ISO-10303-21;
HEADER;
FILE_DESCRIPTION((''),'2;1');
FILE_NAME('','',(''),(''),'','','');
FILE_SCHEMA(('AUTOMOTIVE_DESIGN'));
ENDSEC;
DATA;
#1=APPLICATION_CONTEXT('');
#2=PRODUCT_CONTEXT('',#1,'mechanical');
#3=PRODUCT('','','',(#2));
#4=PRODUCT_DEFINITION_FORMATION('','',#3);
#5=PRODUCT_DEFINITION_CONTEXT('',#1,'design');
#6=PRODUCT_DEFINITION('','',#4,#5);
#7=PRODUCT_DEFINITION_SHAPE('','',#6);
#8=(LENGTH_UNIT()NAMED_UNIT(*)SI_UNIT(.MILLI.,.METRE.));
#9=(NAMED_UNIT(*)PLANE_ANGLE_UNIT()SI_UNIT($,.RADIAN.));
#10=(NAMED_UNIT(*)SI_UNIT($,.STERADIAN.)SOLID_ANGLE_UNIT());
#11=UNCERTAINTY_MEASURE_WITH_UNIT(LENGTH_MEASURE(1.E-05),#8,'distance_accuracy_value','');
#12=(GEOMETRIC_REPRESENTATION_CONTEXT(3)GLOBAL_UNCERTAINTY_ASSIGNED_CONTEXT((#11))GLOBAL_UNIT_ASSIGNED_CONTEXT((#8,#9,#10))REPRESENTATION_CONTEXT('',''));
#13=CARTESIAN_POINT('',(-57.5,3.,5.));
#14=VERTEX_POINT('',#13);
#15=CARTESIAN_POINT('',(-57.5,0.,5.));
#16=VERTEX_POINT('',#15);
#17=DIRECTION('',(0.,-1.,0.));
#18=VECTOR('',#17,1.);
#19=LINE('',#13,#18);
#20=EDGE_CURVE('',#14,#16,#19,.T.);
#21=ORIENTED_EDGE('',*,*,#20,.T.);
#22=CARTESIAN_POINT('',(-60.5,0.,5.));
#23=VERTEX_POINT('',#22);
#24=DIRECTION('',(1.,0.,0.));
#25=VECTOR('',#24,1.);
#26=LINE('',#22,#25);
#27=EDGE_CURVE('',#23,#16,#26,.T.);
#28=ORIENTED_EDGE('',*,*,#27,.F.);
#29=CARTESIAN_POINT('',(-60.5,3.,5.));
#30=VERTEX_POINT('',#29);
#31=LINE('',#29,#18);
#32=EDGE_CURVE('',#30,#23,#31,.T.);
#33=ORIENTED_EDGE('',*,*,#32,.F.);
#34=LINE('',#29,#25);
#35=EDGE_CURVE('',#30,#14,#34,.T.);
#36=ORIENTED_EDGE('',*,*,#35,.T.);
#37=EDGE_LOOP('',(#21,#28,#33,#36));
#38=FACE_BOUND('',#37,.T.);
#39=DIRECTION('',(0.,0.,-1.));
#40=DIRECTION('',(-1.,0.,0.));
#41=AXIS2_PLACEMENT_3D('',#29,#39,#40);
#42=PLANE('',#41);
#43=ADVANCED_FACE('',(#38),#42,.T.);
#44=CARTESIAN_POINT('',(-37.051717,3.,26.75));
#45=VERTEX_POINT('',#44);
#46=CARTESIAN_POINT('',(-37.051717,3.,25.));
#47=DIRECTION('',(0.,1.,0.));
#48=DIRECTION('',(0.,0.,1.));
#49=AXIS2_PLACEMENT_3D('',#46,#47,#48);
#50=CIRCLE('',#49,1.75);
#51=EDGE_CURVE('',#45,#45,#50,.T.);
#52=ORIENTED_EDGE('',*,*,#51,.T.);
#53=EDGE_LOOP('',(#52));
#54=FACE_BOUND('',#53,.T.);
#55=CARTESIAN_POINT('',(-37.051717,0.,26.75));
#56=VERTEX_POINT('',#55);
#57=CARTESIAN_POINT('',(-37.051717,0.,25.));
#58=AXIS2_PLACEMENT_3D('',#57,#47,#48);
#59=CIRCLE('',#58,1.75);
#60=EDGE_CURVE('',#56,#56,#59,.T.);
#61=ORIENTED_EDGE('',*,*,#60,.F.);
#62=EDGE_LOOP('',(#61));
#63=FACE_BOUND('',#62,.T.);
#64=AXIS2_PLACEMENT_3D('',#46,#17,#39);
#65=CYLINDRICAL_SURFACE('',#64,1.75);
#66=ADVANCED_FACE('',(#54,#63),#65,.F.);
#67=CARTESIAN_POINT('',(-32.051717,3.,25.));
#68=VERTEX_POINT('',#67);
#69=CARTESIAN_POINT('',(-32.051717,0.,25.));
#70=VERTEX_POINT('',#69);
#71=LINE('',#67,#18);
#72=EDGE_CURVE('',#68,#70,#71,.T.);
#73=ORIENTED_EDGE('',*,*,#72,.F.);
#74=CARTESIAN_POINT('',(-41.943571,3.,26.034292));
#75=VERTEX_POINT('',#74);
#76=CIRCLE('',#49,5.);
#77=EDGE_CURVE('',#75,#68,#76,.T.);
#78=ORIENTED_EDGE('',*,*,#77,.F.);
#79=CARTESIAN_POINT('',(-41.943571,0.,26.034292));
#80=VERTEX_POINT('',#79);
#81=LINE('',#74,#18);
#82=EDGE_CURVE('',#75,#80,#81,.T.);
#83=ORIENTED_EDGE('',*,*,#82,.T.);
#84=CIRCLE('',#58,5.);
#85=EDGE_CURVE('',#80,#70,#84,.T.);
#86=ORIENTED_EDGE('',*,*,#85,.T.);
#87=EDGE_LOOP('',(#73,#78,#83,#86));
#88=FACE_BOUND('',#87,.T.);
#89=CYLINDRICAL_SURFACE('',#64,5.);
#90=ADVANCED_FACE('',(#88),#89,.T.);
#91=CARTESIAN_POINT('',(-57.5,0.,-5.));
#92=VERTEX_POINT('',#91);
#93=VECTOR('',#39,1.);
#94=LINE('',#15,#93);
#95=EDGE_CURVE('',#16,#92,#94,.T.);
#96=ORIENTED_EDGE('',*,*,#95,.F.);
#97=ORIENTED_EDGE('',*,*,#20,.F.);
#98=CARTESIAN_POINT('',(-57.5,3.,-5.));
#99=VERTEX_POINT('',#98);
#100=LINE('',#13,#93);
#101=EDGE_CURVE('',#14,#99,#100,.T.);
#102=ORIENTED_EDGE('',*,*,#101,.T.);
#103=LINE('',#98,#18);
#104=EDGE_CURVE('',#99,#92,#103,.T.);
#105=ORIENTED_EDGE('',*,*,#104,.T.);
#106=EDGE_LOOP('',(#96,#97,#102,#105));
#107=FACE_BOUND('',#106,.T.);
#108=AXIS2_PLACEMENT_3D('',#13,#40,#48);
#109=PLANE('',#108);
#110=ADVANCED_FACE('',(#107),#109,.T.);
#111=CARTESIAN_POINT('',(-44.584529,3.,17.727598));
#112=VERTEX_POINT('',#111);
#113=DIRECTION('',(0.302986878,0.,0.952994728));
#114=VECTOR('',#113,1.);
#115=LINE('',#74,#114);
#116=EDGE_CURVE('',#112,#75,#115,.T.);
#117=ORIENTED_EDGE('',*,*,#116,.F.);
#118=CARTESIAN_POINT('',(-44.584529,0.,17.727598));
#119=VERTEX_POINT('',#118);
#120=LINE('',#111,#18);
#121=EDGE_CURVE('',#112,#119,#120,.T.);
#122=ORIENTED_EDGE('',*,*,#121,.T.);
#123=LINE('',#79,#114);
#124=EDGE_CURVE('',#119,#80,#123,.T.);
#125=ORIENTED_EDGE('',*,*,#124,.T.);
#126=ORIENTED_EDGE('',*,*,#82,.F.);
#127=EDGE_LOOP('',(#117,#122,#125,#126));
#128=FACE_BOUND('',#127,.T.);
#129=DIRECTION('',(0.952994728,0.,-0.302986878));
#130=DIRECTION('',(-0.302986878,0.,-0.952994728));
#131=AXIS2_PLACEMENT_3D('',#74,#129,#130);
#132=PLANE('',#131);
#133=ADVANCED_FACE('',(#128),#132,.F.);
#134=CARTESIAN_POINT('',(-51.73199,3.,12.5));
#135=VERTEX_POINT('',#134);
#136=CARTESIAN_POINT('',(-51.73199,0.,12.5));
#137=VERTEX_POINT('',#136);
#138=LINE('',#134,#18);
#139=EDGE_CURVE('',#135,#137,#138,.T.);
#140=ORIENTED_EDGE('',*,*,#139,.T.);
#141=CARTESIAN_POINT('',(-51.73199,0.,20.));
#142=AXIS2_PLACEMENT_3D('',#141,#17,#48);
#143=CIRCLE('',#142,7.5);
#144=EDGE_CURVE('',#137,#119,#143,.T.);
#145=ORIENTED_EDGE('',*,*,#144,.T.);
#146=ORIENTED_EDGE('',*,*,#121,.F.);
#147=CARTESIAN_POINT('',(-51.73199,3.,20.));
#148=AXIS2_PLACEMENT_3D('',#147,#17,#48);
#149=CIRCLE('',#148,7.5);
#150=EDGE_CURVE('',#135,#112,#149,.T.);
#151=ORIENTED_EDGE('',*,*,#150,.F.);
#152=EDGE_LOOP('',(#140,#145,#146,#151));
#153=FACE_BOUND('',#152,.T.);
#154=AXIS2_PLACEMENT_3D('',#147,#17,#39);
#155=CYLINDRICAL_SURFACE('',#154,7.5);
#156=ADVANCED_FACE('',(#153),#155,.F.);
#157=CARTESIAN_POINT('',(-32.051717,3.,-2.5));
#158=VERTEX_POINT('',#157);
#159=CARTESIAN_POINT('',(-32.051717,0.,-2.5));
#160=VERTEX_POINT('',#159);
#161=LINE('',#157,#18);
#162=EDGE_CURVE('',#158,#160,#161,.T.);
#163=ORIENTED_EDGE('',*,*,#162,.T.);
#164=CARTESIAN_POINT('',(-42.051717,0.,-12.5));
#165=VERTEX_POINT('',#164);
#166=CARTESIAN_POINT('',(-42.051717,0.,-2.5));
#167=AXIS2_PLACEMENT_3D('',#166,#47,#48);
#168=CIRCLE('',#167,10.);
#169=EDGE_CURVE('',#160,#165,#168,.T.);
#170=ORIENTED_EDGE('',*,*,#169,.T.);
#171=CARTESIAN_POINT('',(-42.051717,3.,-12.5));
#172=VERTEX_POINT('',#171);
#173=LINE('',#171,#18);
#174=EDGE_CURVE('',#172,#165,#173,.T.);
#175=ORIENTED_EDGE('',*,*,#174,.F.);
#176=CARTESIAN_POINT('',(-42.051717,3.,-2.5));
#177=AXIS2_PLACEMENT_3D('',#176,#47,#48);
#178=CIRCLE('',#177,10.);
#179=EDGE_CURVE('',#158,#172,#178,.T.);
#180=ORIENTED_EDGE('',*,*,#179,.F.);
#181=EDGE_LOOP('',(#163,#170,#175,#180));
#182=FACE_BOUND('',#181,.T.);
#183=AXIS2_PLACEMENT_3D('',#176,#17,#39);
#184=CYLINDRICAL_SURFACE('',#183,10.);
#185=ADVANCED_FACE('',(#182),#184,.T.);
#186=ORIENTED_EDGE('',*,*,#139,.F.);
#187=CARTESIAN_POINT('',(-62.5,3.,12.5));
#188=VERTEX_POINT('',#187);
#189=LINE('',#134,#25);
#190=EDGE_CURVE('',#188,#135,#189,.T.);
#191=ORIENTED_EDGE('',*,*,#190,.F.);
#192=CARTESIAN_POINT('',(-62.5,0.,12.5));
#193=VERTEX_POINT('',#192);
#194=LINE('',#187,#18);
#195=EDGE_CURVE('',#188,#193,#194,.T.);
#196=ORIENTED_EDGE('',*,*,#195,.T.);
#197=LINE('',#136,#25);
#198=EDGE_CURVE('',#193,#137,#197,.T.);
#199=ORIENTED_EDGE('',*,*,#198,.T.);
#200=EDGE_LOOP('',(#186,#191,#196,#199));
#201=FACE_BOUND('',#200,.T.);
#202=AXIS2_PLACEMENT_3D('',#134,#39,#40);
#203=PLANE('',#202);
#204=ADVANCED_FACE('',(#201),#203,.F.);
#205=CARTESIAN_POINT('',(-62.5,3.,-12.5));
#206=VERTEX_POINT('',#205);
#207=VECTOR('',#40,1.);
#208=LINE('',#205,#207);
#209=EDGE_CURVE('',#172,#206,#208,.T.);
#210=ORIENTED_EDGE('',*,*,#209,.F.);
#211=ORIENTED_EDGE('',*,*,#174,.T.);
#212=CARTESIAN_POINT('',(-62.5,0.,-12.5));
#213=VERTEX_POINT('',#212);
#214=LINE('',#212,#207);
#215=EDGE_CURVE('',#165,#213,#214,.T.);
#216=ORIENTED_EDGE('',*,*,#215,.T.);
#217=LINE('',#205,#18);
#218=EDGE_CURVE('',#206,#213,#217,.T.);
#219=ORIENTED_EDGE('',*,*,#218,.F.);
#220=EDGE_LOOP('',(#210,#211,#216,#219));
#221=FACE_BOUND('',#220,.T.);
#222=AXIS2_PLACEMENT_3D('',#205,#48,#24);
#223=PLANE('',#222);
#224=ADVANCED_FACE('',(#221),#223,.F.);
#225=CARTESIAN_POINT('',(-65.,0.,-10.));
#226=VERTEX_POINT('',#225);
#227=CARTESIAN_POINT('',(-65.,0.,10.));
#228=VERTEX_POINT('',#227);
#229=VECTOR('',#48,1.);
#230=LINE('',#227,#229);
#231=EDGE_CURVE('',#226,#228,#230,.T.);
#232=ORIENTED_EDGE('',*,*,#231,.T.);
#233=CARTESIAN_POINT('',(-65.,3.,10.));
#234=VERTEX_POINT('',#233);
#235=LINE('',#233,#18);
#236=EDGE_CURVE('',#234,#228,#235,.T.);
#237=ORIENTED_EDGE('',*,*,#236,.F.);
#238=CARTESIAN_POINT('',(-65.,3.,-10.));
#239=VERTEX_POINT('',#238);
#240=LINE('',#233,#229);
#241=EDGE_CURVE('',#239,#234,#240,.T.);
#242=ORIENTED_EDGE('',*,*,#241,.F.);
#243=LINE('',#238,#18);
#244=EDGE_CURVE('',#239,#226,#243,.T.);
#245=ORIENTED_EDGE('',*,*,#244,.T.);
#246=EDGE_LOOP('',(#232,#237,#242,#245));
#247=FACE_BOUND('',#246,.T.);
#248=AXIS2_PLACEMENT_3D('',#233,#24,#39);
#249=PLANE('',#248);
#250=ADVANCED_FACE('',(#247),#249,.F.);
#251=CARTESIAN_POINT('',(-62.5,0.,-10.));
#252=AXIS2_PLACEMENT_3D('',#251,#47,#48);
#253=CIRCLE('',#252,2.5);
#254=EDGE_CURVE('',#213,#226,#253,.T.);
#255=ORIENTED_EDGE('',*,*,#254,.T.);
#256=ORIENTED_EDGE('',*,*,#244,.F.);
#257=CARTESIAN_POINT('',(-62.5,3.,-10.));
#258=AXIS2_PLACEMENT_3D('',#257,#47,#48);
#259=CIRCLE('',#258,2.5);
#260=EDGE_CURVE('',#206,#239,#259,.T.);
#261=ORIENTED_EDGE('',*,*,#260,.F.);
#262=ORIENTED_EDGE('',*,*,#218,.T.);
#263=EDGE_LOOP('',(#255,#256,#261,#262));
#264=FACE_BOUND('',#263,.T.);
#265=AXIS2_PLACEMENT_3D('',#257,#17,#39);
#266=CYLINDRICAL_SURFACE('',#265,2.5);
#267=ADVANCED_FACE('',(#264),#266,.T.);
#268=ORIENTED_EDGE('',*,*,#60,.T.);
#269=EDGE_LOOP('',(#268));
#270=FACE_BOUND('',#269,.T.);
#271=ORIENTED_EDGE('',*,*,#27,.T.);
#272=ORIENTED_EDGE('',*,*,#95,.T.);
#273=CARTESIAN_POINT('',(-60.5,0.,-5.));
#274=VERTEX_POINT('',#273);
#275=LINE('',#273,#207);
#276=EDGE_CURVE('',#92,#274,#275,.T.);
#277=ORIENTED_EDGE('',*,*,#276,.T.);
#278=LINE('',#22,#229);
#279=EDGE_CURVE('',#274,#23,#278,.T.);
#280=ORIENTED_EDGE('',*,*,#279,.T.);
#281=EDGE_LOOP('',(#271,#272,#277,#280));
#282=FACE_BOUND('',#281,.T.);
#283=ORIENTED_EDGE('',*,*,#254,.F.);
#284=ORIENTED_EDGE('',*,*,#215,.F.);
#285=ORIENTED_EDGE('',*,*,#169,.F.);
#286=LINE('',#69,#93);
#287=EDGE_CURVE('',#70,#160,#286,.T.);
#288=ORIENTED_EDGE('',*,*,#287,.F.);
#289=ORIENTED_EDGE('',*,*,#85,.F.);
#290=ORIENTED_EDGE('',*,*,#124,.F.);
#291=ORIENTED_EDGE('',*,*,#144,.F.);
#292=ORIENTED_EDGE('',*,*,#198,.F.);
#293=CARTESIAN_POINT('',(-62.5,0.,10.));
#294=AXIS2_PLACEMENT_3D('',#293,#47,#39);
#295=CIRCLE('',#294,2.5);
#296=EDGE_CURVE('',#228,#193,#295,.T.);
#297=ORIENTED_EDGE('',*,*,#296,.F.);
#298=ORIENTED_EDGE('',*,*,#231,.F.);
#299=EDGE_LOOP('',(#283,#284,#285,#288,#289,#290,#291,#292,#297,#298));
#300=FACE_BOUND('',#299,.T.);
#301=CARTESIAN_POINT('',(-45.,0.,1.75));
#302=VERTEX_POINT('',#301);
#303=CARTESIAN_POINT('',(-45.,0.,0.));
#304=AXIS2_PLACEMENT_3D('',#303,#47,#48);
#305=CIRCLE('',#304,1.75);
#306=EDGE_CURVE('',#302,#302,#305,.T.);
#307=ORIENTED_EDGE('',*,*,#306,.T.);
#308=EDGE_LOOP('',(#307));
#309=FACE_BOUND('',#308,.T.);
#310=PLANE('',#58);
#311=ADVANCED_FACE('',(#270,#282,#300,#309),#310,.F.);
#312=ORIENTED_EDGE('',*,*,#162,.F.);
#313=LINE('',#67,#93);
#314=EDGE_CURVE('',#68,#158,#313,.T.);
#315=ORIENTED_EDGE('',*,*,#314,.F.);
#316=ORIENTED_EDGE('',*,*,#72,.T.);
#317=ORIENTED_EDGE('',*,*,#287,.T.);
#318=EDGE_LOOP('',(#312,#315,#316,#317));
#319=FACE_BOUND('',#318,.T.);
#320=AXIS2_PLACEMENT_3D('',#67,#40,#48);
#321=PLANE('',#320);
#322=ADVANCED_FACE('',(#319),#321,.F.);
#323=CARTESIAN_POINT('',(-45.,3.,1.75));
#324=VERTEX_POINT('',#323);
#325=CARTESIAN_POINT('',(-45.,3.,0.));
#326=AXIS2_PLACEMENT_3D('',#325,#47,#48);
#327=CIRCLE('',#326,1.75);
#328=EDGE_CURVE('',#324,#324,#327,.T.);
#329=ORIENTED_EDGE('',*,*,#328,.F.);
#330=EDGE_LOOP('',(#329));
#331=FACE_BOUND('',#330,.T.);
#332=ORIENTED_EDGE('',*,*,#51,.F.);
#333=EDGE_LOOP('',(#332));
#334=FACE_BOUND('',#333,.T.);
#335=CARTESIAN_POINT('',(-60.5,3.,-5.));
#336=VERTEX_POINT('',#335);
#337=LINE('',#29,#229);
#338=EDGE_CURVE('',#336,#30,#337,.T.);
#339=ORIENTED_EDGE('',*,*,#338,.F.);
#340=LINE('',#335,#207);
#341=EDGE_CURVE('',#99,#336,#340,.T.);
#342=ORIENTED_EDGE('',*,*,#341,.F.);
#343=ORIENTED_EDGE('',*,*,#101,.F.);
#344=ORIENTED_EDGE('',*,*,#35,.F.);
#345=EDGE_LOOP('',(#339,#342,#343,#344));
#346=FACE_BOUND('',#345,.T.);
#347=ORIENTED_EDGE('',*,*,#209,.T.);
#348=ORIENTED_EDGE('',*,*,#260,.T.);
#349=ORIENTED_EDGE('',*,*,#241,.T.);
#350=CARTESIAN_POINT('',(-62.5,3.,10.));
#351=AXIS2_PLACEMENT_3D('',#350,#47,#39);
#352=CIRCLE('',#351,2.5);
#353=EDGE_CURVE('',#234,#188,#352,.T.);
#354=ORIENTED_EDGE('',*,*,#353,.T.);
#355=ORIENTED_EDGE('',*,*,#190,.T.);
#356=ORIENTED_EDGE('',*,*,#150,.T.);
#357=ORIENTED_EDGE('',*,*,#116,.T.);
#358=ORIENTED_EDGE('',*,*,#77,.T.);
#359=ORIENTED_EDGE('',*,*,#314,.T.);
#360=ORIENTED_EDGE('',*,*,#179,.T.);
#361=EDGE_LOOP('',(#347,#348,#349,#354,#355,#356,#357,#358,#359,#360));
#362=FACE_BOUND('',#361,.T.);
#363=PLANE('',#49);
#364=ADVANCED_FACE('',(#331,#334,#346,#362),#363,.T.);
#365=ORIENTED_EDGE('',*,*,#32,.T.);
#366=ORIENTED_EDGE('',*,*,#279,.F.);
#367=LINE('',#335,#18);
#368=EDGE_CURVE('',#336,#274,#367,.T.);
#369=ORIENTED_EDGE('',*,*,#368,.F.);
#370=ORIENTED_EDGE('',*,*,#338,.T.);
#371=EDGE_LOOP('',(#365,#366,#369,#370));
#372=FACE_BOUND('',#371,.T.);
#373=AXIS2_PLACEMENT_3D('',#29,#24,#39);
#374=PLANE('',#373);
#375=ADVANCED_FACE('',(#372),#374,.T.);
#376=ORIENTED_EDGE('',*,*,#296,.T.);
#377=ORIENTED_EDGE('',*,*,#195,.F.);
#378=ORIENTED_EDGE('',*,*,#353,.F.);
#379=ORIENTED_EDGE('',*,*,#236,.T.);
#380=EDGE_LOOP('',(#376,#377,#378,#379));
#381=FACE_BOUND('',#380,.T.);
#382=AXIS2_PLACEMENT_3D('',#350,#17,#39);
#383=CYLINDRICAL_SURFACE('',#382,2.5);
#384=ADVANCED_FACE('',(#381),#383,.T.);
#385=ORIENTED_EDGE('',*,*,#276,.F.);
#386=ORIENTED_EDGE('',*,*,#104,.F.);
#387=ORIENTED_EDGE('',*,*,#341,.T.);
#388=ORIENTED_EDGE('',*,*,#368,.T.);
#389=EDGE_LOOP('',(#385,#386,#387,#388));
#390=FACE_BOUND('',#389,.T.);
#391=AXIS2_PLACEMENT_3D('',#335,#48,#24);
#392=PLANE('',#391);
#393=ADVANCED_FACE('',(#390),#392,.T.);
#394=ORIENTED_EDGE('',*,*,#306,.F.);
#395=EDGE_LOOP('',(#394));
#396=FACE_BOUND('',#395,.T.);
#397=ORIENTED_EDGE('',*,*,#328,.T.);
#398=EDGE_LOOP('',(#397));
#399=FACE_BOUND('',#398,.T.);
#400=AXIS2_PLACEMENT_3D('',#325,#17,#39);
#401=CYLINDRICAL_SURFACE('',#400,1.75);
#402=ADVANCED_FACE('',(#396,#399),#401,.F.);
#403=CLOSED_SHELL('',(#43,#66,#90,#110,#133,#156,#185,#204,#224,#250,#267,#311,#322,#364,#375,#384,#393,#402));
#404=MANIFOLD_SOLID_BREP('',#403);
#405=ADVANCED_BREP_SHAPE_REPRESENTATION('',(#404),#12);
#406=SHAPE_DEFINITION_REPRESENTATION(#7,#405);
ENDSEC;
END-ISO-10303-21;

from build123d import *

# Parameters (mm, degrees)
SKETCH1_R           = 1.75
SKETCH1_W           = 3
SKETCH1_H           = 10
BOSS_EXTRUDE1_DEPTH = 3


with BuildPart() as part:
    # Sketch1 → Boss-Extrude1 (new body)
    with BuildSketch(Plane(origin=(0, 0, 0), x_dir=(1, 0, 0), z_dir=(0, 1, 0))):
        with BuildLine():
            Line((-32.051716829, -25), (-32.051716829, 2.5))
            ThreePointArc((-32.051716829, 2.5), (-34.980649017, 9.571067812), (-42.051716829, 12.5))
            Line((-42.051716829, 12.5), (-62.5, 12.5))
            ThreePointArc((-62.5, 12.5), (-64.267766953, 11.767766953), (-65, 10))
            Line((-65, 10), (-65, -10))
            ThreePointArc((-65, -10), (-64.267766953, -11.767766953), (-62.5, -12.5))
            Line((-62.5, -12.5), (-51.731989821, -12.5))
            ThreePointArc((-51.731989821, -12.5), (-47.304406502, -13.946364237), (-44.584529361, -17.727598413))
            Line((-44.584529361, -17.727598413), (-41.943571372, -26.034291608))
            ThreePointArc((-41.943571372, -26.034291608), (-36.531751789, -29.972890141), (-32.051716829, -25))
        make_face()
        with Locations(Location((-45, 0, 0), (0, 0, 270))):
            Circle(SKETCH1_R, mode=Mode.SUBTRACT)
        with Locations(Location((-37.051716829, -25, 0), (0, 0, 270))):
            Circle(SKETCH1_R, mode=Mode.SUBTRACT)
        with Locations((-59, 0)):
            Rectangle(SKETCH1_W, SKETCH1_H, mode=Mode.SUBTRACT)
    extrude(amount=BOSS_EXTRUDE1_DEPTH)


solid = part.part
